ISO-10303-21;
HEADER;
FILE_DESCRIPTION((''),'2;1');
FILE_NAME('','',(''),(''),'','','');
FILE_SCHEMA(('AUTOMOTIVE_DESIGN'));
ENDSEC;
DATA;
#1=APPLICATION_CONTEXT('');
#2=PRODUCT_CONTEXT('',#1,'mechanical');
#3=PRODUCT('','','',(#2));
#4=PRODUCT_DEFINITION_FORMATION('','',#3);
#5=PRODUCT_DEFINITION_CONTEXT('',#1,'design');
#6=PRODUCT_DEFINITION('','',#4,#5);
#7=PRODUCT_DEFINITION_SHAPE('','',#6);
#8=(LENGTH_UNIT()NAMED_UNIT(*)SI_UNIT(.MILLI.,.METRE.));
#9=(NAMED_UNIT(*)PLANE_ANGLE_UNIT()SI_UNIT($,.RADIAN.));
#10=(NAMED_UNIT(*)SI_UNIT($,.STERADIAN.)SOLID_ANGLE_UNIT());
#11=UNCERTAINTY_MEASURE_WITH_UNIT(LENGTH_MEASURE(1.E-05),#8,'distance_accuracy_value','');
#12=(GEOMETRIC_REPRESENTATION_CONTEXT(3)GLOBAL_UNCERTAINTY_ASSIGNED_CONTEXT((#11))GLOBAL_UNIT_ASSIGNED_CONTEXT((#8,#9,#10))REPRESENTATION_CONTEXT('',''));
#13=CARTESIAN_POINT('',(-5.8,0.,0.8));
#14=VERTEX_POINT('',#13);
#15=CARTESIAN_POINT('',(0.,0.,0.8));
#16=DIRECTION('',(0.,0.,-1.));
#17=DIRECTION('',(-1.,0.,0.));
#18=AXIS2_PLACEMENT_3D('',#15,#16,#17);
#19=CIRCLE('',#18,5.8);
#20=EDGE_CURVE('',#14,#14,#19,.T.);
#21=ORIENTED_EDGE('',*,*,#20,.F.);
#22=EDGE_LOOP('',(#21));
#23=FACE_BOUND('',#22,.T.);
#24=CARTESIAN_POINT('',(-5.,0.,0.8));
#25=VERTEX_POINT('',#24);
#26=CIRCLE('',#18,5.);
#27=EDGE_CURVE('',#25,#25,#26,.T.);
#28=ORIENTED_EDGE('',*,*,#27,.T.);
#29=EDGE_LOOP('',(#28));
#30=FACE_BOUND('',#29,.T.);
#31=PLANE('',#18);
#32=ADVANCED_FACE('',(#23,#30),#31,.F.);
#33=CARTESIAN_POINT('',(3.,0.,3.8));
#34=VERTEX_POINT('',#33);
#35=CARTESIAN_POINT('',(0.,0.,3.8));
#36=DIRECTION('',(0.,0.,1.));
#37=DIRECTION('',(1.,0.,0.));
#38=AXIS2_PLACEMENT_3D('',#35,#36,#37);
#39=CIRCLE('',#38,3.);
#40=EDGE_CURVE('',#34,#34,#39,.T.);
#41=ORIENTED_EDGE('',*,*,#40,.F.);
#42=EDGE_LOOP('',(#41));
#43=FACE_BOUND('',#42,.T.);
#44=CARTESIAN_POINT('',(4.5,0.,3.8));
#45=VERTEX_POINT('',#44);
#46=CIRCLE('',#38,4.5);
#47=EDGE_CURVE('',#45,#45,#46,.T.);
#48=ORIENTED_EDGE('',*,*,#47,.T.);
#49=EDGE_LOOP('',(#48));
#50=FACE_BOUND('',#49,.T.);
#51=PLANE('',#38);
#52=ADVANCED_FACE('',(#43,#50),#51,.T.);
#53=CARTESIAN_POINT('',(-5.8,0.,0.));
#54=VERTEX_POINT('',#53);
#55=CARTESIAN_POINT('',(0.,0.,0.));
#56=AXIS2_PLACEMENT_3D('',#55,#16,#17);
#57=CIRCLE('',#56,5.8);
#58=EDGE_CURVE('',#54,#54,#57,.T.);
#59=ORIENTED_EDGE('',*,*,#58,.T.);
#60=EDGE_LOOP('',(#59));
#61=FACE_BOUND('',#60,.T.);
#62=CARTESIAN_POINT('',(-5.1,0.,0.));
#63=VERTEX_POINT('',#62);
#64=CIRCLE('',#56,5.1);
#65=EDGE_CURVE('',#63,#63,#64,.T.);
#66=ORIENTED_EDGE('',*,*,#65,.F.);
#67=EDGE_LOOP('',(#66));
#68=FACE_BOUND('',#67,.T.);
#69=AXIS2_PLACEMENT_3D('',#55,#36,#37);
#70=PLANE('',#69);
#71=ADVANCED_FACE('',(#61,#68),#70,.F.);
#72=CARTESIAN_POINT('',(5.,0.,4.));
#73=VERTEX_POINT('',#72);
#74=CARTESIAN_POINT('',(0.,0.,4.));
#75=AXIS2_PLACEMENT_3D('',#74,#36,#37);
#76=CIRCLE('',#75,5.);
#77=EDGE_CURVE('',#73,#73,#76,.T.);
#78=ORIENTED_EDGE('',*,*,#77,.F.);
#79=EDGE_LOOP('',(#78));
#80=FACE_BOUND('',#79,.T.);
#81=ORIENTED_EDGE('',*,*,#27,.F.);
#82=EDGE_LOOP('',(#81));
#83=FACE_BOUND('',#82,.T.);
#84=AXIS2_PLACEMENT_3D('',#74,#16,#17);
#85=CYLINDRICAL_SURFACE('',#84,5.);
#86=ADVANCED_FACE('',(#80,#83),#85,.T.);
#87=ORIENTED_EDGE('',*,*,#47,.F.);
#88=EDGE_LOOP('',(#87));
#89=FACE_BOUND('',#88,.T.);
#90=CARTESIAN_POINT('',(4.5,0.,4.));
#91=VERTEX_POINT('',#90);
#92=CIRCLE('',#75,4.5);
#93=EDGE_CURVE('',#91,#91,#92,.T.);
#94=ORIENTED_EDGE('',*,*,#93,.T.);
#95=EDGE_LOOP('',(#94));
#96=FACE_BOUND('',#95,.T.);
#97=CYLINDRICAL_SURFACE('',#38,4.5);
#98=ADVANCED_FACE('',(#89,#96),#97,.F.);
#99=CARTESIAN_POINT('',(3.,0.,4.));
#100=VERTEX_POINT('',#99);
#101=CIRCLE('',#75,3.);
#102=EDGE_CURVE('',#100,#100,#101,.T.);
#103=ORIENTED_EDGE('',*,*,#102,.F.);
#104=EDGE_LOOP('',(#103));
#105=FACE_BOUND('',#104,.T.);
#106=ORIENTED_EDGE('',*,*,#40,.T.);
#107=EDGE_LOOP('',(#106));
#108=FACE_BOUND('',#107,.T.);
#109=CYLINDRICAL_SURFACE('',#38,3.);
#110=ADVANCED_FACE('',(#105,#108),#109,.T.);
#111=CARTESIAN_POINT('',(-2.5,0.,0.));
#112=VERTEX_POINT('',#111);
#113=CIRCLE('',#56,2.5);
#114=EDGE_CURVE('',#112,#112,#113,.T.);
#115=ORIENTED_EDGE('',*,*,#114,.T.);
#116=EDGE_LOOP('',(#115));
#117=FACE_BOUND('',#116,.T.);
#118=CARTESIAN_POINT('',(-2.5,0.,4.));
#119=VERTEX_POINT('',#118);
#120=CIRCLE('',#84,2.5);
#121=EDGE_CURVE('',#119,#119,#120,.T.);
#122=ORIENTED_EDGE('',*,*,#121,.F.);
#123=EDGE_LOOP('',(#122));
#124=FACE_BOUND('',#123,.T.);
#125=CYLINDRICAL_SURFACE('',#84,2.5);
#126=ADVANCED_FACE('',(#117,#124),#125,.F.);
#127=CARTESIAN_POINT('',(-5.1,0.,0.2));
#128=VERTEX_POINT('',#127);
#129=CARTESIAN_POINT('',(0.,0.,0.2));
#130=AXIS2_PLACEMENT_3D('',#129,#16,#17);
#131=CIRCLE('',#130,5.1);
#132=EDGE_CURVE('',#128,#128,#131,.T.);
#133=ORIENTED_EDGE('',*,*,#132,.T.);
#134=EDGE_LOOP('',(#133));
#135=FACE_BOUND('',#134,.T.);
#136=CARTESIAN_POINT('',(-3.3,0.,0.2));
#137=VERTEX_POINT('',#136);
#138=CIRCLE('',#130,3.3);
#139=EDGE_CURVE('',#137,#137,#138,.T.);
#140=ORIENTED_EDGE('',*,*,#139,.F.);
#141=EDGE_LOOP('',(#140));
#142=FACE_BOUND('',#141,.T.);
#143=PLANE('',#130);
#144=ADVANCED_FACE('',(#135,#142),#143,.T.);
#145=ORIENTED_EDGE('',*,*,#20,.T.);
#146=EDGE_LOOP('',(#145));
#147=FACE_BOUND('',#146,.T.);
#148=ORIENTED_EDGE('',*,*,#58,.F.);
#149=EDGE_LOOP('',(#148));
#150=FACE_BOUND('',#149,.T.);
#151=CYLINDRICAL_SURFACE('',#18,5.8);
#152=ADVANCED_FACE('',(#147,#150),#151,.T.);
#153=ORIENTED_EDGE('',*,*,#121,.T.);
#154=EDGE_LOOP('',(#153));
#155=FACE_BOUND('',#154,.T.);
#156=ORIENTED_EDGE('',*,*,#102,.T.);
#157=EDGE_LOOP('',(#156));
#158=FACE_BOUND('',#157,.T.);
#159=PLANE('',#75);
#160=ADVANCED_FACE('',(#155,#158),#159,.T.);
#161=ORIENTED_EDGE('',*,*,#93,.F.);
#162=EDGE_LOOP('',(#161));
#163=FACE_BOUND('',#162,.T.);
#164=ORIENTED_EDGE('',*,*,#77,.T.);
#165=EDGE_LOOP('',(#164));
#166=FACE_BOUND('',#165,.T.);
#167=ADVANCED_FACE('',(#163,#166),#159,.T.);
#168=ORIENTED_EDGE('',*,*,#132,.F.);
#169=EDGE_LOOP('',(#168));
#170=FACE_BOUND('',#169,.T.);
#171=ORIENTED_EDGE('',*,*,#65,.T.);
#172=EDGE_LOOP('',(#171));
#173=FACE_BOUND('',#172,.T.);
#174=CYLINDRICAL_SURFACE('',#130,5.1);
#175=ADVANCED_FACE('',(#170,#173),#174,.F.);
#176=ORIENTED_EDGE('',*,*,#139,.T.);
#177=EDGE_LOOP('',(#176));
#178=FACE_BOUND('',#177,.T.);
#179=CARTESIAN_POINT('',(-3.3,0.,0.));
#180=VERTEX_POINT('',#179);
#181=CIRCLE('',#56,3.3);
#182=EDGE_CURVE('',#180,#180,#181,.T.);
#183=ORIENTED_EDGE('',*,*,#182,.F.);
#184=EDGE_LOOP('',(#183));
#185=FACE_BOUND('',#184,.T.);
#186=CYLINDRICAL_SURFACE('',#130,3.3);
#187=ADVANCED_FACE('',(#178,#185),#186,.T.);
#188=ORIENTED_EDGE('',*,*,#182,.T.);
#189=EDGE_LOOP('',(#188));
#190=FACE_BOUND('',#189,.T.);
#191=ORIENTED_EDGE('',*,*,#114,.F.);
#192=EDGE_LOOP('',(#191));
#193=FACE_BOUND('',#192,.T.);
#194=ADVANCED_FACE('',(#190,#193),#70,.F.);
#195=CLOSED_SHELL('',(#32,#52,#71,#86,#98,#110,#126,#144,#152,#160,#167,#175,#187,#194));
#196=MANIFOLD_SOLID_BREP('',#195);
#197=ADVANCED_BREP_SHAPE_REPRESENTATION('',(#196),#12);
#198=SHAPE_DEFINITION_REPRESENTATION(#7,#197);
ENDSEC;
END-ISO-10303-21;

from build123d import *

# Parameters (mm, degrees)
SKETCH_1_R          = 5
EXTRUDE_1_DEPTH     = 4
SKETCH_2_R          = 5.8
EXTRUDE_2_DEPTH     = 0.8
SKETCH_3_R          = 2.5
CUT_EXTRUDE_1_DEPTH = 5
SKETCH_4_R          = 5.1
SKETCH_4_R_2        = 3.3
CUT_EXTRUDE_3_DEPTH = 0.2
SKETCH_5_R          = 4.5
SKETCH_5_R_2        = 3
CUT_EXTRUDE_4_DEPTH = 0.2


with BuildPart() as part:
    # 草圖1 → 填料-伸長1 (new body)
    with BuildSketch(Plane.XY):
        Circle(SKETCH_1_R)
    extrude(amount=EXTRUDE_1_DEPTH)

    # 草圖2 → 填料-伸長2 (add)
    with BuildSketch(Plane(origin=(0, 0, 0), x_dir=(-1, 0, 0), z_dir=(0, 0, -1))):
        Circle(SKETCH_2_R)
    extrude(amount=-EXTRUDE_2_DEPTH)

    # 草圖3 → 除料-伸長1 (cut, through all)
    with BuildSketch(Plane(origin=(0, 0, 0), x_dir=(-1, 0, 0), z_dir=(0, 0, -1))):
        Circle(SKETCH_3_R)
    extrude(amount=-CUT_EXTRUDE_1_DEPTH, mode=Mode.SUBTRACT)

    # 草圖4 → 除料-伸長3 (cut)
    with BuildSketch(Plane(origin=(0, 0, 0), x_dir=(-1, 0, 0), z_dir=(0, 0, -1))):
        Circle(SKETCH_4_R)
        Circle(SKETCH_4_R_2, mode=Mode.SUBTRACT)
    extrude(amount=-CUT_EXTRUDE_3_DEPTH, mode=Mode.SUBTRACT)

    # 草圖5 → 除料-伸長4 (cut)
    with BuildSketch(Plane.XY.offset(4)):
        Circle(SKETCH_5_R)
        Circle(SKETCH_5_R_2, mode=Mode.SUBTRACT)
    extrude(amount=-CUT_EXTRUDE_4_DEPTH, mode=Mode.SUBTRACT)


solid = part.part
